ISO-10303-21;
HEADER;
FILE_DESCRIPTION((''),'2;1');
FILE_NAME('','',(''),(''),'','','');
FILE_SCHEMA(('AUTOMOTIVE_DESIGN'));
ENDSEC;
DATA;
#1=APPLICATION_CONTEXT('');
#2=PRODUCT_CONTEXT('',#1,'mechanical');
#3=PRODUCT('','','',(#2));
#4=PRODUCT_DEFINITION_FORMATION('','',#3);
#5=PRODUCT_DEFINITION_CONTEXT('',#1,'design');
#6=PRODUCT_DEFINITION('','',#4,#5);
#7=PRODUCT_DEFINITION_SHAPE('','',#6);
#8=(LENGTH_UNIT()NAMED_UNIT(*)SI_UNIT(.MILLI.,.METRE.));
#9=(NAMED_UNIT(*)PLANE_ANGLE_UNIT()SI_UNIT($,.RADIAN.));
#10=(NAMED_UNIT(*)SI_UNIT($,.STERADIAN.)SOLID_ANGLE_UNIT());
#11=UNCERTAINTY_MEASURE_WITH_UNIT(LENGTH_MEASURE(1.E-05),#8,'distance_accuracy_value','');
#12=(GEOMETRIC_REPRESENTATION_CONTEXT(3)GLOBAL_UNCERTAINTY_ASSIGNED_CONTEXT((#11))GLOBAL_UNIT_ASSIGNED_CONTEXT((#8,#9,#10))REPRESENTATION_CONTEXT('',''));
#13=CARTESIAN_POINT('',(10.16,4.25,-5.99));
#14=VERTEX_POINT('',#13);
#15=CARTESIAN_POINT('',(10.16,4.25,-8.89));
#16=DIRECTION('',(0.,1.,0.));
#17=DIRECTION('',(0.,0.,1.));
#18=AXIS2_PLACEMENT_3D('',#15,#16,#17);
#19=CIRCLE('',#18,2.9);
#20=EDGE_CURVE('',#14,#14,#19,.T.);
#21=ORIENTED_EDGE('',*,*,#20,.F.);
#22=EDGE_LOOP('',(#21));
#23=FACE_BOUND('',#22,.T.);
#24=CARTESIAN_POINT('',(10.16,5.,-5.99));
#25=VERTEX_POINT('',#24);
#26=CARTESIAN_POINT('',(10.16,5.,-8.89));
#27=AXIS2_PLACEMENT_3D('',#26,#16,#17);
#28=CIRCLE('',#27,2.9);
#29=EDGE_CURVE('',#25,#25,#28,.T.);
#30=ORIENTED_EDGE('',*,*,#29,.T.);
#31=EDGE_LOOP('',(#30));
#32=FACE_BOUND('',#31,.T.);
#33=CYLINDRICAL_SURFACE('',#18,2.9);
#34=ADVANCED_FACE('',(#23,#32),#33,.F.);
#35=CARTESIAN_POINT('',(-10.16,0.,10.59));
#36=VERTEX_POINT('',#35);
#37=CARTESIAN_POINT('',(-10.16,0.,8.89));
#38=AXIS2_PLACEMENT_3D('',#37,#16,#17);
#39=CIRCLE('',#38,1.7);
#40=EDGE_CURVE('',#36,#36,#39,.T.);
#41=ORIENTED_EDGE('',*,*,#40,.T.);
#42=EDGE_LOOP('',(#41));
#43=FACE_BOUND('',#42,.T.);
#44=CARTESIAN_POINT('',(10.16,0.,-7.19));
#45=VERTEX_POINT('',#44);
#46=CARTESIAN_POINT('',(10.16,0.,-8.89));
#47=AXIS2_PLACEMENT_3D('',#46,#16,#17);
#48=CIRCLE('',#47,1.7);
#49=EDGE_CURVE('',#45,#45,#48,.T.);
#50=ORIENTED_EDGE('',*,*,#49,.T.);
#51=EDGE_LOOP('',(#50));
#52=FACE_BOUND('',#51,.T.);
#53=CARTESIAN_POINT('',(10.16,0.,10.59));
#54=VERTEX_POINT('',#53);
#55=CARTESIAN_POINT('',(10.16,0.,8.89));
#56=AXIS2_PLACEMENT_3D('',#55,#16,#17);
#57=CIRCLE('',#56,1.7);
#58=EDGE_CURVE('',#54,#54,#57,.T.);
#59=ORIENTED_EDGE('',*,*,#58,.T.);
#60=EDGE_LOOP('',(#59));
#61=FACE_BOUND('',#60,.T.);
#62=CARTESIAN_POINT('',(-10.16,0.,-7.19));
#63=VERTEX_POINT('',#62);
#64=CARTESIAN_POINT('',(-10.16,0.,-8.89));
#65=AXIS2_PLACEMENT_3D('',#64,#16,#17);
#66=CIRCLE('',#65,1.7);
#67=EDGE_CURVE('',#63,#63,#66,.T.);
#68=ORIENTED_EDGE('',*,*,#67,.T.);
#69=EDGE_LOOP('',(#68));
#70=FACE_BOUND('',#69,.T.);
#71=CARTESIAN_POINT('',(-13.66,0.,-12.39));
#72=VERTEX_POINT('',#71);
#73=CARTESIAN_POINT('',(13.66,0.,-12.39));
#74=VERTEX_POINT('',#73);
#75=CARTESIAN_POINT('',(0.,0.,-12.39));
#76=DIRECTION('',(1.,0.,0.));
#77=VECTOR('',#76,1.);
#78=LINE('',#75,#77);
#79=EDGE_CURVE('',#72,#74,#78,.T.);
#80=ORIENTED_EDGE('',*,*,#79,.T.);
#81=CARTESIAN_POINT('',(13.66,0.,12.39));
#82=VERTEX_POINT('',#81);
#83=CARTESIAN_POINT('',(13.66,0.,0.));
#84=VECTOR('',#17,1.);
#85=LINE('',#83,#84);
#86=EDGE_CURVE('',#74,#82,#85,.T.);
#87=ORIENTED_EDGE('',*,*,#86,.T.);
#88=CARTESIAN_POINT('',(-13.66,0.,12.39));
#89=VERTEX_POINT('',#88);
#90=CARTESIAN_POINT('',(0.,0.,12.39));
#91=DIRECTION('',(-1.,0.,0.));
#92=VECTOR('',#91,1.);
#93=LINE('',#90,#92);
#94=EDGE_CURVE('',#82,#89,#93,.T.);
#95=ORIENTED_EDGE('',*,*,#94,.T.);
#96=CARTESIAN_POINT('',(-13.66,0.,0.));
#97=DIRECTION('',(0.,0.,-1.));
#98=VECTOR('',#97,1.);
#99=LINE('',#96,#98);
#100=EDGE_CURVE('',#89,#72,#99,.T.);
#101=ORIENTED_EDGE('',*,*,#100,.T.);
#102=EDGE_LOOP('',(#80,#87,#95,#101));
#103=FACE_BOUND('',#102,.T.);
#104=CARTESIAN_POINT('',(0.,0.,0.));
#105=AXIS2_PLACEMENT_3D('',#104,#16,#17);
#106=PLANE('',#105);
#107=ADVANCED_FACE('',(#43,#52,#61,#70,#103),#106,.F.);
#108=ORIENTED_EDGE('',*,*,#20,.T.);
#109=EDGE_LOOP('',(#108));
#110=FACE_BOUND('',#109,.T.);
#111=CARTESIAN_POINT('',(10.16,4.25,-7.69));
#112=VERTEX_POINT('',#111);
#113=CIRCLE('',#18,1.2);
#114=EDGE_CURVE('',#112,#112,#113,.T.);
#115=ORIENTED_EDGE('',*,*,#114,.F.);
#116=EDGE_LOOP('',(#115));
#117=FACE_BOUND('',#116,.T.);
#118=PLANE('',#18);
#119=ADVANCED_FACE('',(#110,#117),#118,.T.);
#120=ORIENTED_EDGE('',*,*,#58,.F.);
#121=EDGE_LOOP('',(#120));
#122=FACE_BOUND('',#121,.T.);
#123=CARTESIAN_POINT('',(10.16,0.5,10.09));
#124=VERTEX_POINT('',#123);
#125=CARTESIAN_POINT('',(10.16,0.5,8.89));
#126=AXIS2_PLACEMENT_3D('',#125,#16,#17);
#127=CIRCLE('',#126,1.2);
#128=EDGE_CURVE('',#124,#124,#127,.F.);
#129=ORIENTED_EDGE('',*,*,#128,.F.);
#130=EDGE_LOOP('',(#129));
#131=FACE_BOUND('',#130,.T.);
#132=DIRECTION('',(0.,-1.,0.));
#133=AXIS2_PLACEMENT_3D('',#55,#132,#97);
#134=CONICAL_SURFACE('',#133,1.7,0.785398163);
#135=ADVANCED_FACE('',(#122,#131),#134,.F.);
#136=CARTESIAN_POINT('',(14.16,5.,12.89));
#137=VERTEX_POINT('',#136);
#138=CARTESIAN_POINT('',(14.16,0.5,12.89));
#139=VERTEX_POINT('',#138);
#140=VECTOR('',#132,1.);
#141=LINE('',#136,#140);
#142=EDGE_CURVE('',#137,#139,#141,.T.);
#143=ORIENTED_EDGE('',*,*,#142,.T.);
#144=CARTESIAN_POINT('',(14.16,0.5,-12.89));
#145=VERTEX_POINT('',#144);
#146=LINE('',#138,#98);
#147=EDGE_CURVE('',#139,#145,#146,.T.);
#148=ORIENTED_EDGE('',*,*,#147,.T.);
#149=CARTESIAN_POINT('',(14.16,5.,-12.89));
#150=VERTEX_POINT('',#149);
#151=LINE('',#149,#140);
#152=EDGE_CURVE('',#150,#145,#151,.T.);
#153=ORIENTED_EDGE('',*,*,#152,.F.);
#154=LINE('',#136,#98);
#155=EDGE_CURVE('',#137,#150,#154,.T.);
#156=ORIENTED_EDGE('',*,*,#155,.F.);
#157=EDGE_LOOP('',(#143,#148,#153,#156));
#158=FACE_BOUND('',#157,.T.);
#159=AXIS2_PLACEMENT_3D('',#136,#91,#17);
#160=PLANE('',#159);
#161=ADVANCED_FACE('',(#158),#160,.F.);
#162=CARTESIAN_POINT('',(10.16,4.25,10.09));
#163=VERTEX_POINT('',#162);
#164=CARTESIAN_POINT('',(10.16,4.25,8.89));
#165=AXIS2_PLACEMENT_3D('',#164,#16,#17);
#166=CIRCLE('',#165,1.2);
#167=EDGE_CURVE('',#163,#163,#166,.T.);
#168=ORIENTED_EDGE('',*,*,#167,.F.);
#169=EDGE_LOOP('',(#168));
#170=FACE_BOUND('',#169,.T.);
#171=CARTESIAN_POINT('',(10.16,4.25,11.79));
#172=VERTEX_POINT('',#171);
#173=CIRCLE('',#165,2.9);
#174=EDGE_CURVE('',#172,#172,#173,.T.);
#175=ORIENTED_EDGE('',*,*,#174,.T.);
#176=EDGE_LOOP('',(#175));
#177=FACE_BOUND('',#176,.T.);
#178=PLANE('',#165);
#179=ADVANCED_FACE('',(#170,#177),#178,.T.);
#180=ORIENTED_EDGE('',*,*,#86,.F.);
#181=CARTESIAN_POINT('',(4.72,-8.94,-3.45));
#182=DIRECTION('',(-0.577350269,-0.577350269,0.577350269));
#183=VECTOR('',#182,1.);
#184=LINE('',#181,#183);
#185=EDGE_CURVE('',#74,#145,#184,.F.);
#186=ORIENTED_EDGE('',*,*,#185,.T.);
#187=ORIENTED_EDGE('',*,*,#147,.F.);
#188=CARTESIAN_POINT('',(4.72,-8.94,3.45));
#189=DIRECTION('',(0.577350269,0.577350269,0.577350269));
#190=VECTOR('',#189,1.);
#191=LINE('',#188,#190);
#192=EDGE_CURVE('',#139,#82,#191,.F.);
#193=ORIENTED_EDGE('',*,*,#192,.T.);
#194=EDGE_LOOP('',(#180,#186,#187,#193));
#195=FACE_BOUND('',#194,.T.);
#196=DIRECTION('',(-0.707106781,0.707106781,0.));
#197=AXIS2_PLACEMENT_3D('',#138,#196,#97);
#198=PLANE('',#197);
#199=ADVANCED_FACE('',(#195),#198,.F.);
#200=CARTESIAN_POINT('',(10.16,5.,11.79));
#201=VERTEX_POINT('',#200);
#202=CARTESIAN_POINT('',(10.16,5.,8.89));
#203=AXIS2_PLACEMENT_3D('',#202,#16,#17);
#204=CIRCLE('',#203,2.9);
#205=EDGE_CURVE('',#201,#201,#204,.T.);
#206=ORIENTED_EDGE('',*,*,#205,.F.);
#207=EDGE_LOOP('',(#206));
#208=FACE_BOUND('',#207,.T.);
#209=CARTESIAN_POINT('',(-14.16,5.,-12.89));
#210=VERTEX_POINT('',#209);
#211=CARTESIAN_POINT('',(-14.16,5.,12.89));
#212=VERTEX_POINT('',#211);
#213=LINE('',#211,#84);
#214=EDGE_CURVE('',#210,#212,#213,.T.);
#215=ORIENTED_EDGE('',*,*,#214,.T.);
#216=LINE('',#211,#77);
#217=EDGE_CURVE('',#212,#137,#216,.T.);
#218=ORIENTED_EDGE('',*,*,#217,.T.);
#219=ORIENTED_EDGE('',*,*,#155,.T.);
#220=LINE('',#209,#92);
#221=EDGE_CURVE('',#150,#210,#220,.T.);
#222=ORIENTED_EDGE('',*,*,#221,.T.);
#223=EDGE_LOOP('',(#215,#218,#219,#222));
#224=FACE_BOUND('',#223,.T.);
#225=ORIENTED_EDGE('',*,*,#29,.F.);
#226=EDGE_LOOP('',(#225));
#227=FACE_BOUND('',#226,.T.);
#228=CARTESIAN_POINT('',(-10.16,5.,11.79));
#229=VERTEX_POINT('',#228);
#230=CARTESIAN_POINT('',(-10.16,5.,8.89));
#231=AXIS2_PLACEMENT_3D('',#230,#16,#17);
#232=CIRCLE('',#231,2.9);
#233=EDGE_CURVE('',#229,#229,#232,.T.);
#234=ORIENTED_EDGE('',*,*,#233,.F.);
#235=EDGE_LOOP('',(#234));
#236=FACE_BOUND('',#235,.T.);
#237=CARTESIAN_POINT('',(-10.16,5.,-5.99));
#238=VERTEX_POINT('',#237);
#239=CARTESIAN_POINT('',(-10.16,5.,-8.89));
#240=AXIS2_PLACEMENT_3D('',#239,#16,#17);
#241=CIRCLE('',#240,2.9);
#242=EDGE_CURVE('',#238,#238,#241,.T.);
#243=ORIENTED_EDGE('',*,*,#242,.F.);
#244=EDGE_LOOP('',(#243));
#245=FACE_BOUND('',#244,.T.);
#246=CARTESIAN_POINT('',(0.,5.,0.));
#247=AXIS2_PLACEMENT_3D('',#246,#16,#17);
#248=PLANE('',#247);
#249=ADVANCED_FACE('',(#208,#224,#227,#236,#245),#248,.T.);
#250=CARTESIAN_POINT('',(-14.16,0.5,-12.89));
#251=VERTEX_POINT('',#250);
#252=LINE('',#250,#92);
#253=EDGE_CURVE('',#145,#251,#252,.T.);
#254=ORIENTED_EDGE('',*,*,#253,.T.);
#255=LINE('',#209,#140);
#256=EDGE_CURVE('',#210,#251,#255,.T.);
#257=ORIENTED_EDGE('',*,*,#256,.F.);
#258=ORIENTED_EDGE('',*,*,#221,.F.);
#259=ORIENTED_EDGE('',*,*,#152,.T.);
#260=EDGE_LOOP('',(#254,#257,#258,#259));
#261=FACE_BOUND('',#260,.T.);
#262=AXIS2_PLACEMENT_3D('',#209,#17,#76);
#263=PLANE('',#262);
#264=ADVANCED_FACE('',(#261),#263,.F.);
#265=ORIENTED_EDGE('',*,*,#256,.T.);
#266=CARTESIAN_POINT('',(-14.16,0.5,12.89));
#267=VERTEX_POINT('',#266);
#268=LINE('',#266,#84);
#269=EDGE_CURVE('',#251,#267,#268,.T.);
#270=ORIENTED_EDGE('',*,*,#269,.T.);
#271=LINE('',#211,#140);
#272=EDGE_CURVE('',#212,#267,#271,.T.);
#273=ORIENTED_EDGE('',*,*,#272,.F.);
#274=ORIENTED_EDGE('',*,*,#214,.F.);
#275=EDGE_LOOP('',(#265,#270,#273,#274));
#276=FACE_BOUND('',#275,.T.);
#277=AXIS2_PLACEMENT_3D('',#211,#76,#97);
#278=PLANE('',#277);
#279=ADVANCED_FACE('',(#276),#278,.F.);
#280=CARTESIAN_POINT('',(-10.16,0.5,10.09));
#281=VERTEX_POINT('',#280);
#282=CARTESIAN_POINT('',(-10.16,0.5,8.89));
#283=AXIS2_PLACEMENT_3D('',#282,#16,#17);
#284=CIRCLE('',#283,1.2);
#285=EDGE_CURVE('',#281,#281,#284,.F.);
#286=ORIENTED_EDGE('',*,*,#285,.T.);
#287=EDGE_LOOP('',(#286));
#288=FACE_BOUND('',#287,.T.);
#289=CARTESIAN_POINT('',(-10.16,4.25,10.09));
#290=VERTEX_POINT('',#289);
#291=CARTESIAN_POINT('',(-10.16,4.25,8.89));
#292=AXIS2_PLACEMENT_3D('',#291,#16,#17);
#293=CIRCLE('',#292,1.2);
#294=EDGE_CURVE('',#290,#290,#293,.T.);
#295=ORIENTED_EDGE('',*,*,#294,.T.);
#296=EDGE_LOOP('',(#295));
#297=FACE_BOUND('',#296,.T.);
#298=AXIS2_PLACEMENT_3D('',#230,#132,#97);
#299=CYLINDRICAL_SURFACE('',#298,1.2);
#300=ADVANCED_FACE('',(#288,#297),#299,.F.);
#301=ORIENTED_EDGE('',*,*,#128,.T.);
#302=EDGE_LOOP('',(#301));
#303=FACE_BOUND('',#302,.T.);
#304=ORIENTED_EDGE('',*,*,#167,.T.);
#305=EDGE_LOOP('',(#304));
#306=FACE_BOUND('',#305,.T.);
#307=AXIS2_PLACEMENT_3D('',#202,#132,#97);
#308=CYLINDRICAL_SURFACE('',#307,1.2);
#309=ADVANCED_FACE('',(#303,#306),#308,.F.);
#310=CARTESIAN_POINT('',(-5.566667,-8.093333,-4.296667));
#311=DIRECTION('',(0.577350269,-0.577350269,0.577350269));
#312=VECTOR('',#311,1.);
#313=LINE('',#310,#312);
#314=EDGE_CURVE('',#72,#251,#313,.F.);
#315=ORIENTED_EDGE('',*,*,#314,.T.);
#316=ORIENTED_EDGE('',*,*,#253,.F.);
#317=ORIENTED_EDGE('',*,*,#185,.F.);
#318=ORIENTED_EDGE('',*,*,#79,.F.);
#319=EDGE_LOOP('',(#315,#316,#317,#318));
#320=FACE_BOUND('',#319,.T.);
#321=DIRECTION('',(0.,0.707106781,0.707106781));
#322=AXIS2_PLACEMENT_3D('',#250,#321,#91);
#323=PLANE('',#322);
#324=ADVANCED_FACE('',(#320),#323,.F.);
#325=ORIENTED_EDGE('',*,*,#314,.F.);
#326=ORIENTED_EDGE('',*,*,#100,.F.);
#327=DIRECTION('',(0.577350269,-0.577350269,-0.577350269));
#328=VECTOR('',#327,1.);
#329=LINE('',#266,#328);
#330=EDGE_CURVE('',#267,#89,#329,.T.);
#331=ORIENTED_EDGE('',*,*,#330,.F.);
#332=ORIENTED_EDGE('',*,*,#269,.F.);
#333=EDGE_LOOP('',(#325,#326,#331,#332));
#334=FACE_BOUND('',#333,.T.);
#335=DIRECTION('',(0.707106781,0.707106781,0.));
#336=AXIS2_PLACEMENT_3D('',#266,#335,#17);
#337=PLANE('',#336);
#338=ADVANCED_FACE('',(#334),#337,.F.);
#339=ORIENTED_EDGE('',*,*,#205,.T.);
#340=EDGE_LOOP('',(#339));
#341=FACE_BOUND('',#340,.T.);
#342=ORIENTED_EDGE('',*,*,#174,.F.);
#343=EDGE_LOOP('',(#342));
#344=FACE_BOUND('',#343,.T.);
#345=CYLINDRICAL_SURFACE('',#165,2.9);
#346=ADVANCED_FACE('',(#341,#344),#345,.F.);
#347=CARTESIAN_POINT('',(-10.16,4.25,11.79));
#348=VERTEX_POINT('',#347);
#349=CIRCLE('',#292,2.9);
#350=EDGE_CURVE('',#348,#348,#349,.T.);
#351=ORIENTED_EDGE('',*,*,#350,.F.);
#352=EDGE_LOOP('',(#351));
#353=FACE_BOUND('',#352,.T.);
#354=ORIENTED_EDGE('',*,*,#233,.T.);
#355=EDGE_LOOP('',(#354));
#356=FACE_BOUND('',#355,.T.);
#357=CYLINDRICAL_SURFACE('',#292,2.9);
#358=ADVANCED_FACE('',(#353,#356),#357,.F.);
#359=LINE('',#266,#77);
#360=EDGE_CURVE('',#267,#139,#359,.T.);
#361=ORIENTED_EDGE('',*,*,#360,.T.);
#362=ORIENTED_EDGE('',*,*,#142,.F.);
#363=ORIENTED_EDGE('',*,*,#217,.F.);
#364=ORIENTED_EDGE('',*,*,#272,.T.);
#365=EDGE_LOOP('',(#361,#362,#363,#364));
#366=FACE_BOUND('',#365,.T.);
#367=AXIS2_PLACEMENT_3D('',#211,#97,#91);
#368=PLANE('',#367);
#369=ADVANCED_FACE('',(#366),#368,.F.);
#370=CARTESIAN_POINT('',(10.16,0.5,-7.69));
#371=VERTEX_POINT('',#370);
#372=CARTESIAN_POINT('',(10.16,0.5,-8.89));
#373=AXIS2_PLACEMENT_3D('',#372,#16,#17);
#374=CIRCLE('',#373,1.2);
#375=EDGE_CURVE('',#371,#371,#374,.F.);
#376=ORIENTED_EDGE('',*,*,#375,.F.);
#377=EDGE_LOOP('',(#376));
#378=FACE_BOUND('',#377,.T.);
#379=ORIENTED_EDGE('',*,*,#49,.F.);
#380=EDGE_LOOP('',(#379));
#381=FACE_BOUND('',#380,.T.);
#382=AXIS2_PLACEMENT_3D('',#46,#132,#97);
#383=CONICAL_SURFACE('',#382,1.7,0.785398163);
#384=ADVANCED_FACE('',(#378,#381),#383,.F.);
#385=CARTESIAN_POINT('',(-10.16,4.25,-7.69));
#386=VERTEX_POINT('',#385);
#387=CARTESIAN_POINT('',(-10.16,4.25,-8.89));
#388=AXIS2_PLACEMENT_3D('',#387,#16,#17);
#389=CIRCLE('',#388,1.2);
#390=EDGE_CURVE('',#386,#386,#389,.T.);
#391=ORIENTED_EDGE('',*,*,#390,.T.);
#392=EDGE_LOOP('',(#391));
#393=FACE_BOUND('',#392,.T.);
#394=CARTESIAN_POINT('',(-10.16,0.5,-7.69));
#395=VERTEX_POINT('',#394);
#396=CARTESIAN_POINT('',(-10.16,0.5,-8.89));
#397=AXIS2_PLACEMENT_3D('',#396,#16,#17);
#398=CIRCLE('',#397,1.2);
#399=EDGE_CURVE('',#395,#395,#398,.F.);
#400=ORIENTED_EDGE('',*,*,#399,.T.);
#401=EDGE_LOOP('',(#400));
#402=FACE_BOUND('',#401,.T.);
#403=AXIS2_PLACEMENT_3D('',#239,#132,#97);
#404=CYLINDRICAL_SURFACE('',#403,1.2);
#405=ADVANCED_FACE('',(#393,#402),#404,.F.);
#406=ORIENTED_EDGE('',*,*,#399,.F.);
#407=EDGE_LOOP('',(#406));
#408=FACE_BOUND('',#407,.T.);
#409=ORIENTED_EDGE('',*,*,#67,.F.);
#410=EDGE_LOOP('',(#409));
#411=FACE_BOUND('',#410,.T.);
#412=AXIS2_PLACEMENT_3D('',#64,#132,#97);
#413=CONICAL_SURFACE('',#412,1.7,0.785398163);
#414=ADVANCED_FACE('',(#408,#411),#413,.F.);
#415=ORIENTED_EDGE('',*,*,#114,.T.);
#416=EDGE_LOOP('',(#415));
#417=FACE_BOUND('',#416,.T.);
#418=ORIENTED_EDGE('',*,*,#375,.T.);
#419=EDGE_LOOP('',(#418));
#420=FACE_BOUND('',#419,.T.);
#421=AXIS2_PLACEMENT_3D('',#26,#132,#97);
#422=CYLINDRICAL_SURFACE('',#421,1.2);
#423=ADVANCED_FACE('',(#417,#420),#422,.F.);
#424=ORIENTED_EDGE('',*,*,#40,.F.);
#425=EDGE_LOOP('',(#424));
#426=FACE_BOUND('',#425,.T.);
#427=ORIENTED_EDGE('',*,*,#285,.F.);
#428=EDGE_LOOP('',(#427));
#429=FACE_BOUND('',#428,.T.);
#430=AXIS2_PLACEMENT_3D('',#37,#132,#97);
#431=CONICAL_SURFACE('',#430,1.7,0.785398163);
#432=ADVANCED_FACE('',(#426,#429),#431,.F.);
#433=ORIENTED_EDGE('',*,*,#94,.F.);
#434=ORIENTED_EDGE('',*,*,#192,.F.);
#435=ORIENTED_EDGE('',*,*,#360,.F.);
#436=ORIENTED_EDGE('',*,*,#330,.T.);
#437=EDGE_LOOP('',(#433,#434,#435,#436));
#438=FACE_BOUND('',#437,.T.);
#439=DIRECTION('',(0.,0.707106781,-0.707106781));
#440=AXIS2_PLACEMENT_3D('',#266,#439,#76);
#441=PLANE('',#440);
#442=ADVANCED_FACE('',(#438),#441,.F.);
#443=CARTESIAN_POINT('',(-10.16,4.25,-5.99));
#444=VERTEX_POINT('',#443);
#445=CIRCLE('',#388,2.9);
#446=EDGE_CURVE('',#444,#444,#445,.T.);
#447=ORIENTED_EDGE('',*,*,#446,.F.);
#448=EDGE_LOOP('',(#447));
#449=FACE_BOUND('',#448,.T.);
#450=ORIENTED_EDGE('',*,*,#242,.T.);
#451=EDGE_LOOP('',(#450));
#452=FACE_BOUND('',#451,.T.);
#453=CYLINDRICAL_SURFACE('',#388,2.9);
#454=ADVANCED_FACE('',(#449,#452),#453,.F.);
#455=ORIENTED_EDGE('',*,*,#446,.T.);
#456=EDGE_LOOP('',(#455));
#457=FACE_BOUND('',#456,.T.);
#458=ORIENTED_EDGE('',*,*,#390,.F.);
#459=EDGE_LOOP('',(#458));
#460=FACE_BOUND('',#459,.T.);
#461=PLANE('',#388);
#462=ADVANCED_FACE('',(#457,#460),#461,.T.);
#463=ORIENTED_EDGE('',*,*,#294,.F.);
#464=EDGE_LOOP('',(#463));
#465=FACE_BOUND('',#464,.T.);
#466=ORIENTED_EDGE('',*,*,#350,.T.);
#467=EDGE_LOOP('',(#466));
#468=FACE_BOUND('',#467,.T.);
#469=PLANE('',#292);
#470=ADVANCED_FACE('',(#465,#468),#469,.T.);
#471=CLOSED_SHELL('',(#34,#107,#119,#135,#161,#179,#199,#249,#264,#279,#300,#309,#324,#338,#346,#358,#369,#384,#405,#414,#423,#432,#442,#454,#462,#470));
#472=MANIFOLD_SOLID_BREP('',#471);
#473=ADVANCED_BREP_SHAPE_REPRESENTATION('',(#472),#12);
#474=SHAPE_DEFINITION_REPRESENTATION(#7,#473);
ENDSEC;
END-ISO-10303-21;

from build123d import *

# Parameters (mm, degrees)
SKETCH1_W           = 28.32
SKETCH1_H           = 25.78
SKETCH1_R           = 1.2
BOSS_EXTRUDE1_DEPTH = 5
SKETCH3_R           = 2.9
CUT_EXTRUDE1_DEPTH  = 0.75
CHAMFER1_SIZE       = 0.5


with BuildPart() as part:
    # Sketch1 → Boss-Extrude1 (new body)
    with BuildSketch(Plane(origin=(0, 0, 0), x_dir=(1, 0, 0), z_dir=(0, 1, 0))):
        Rectangle(SKETCH1_W, SKETCH1_H)
        with Locations((-10.16, 8.89)):
            Circle(SKETCH1_R, mode=Mode.SUBTRACT)
        with Locations((10.16, 8.89)):
            Circle(SKETCH1_R, mode=Mode.SUBTRACT)
        with Locations((10.16, -8.89)):
            Circle(SKETCH1_R, mode=Mode.SUBTRACT)
        with Locations((-10.16, -8.89)):
            Circle(SKETCH1_R, mode=Mode.SUBTRACT)
    extrude(amount=BOSS_EXTRUDE1_DEPTH)

    # Sketch3 → Cut-Extrude1 (cut)
    with BuildSketch(Plane(origin=(0, 5, 0), x_dir=(1, 0, 0), z_dir=(0, 1, 0))):
        with Locations((-10.16, 8.89)):
            Circle(SKETCH3_R)
        with Locations((10.16, 8.89)):
            Circle(SKETCH3_R)
        with Locations((10.16, -8.89)):
            Circle(SKETCH3_R)
        with Locations((-10.16, -8.89)):
            Circle(SKETCH3_R)
    extrude(amount=-CUT_EXTRUDE1_DEPTH, mode=Mode.SUBTRACT)

    # Chamfer1
    chamfer1_edges = [part.edges().sort_by_distance(p)[0] for p in [
        (-11.36, 0, -8.89),
        (8.96, 0, -8.89),
        (8.96, 0, 8.89),
        (-11.36, 0, 8.89),
        (-14.16, 0, 0),
        (0, 0, -12.89),
        (14.16, 0, 0),
        (0, 0, 12.89),
    ]]
    chamfer(chamfer1_edges, length=CHAMFER1_SIZE)


solid = part.part
